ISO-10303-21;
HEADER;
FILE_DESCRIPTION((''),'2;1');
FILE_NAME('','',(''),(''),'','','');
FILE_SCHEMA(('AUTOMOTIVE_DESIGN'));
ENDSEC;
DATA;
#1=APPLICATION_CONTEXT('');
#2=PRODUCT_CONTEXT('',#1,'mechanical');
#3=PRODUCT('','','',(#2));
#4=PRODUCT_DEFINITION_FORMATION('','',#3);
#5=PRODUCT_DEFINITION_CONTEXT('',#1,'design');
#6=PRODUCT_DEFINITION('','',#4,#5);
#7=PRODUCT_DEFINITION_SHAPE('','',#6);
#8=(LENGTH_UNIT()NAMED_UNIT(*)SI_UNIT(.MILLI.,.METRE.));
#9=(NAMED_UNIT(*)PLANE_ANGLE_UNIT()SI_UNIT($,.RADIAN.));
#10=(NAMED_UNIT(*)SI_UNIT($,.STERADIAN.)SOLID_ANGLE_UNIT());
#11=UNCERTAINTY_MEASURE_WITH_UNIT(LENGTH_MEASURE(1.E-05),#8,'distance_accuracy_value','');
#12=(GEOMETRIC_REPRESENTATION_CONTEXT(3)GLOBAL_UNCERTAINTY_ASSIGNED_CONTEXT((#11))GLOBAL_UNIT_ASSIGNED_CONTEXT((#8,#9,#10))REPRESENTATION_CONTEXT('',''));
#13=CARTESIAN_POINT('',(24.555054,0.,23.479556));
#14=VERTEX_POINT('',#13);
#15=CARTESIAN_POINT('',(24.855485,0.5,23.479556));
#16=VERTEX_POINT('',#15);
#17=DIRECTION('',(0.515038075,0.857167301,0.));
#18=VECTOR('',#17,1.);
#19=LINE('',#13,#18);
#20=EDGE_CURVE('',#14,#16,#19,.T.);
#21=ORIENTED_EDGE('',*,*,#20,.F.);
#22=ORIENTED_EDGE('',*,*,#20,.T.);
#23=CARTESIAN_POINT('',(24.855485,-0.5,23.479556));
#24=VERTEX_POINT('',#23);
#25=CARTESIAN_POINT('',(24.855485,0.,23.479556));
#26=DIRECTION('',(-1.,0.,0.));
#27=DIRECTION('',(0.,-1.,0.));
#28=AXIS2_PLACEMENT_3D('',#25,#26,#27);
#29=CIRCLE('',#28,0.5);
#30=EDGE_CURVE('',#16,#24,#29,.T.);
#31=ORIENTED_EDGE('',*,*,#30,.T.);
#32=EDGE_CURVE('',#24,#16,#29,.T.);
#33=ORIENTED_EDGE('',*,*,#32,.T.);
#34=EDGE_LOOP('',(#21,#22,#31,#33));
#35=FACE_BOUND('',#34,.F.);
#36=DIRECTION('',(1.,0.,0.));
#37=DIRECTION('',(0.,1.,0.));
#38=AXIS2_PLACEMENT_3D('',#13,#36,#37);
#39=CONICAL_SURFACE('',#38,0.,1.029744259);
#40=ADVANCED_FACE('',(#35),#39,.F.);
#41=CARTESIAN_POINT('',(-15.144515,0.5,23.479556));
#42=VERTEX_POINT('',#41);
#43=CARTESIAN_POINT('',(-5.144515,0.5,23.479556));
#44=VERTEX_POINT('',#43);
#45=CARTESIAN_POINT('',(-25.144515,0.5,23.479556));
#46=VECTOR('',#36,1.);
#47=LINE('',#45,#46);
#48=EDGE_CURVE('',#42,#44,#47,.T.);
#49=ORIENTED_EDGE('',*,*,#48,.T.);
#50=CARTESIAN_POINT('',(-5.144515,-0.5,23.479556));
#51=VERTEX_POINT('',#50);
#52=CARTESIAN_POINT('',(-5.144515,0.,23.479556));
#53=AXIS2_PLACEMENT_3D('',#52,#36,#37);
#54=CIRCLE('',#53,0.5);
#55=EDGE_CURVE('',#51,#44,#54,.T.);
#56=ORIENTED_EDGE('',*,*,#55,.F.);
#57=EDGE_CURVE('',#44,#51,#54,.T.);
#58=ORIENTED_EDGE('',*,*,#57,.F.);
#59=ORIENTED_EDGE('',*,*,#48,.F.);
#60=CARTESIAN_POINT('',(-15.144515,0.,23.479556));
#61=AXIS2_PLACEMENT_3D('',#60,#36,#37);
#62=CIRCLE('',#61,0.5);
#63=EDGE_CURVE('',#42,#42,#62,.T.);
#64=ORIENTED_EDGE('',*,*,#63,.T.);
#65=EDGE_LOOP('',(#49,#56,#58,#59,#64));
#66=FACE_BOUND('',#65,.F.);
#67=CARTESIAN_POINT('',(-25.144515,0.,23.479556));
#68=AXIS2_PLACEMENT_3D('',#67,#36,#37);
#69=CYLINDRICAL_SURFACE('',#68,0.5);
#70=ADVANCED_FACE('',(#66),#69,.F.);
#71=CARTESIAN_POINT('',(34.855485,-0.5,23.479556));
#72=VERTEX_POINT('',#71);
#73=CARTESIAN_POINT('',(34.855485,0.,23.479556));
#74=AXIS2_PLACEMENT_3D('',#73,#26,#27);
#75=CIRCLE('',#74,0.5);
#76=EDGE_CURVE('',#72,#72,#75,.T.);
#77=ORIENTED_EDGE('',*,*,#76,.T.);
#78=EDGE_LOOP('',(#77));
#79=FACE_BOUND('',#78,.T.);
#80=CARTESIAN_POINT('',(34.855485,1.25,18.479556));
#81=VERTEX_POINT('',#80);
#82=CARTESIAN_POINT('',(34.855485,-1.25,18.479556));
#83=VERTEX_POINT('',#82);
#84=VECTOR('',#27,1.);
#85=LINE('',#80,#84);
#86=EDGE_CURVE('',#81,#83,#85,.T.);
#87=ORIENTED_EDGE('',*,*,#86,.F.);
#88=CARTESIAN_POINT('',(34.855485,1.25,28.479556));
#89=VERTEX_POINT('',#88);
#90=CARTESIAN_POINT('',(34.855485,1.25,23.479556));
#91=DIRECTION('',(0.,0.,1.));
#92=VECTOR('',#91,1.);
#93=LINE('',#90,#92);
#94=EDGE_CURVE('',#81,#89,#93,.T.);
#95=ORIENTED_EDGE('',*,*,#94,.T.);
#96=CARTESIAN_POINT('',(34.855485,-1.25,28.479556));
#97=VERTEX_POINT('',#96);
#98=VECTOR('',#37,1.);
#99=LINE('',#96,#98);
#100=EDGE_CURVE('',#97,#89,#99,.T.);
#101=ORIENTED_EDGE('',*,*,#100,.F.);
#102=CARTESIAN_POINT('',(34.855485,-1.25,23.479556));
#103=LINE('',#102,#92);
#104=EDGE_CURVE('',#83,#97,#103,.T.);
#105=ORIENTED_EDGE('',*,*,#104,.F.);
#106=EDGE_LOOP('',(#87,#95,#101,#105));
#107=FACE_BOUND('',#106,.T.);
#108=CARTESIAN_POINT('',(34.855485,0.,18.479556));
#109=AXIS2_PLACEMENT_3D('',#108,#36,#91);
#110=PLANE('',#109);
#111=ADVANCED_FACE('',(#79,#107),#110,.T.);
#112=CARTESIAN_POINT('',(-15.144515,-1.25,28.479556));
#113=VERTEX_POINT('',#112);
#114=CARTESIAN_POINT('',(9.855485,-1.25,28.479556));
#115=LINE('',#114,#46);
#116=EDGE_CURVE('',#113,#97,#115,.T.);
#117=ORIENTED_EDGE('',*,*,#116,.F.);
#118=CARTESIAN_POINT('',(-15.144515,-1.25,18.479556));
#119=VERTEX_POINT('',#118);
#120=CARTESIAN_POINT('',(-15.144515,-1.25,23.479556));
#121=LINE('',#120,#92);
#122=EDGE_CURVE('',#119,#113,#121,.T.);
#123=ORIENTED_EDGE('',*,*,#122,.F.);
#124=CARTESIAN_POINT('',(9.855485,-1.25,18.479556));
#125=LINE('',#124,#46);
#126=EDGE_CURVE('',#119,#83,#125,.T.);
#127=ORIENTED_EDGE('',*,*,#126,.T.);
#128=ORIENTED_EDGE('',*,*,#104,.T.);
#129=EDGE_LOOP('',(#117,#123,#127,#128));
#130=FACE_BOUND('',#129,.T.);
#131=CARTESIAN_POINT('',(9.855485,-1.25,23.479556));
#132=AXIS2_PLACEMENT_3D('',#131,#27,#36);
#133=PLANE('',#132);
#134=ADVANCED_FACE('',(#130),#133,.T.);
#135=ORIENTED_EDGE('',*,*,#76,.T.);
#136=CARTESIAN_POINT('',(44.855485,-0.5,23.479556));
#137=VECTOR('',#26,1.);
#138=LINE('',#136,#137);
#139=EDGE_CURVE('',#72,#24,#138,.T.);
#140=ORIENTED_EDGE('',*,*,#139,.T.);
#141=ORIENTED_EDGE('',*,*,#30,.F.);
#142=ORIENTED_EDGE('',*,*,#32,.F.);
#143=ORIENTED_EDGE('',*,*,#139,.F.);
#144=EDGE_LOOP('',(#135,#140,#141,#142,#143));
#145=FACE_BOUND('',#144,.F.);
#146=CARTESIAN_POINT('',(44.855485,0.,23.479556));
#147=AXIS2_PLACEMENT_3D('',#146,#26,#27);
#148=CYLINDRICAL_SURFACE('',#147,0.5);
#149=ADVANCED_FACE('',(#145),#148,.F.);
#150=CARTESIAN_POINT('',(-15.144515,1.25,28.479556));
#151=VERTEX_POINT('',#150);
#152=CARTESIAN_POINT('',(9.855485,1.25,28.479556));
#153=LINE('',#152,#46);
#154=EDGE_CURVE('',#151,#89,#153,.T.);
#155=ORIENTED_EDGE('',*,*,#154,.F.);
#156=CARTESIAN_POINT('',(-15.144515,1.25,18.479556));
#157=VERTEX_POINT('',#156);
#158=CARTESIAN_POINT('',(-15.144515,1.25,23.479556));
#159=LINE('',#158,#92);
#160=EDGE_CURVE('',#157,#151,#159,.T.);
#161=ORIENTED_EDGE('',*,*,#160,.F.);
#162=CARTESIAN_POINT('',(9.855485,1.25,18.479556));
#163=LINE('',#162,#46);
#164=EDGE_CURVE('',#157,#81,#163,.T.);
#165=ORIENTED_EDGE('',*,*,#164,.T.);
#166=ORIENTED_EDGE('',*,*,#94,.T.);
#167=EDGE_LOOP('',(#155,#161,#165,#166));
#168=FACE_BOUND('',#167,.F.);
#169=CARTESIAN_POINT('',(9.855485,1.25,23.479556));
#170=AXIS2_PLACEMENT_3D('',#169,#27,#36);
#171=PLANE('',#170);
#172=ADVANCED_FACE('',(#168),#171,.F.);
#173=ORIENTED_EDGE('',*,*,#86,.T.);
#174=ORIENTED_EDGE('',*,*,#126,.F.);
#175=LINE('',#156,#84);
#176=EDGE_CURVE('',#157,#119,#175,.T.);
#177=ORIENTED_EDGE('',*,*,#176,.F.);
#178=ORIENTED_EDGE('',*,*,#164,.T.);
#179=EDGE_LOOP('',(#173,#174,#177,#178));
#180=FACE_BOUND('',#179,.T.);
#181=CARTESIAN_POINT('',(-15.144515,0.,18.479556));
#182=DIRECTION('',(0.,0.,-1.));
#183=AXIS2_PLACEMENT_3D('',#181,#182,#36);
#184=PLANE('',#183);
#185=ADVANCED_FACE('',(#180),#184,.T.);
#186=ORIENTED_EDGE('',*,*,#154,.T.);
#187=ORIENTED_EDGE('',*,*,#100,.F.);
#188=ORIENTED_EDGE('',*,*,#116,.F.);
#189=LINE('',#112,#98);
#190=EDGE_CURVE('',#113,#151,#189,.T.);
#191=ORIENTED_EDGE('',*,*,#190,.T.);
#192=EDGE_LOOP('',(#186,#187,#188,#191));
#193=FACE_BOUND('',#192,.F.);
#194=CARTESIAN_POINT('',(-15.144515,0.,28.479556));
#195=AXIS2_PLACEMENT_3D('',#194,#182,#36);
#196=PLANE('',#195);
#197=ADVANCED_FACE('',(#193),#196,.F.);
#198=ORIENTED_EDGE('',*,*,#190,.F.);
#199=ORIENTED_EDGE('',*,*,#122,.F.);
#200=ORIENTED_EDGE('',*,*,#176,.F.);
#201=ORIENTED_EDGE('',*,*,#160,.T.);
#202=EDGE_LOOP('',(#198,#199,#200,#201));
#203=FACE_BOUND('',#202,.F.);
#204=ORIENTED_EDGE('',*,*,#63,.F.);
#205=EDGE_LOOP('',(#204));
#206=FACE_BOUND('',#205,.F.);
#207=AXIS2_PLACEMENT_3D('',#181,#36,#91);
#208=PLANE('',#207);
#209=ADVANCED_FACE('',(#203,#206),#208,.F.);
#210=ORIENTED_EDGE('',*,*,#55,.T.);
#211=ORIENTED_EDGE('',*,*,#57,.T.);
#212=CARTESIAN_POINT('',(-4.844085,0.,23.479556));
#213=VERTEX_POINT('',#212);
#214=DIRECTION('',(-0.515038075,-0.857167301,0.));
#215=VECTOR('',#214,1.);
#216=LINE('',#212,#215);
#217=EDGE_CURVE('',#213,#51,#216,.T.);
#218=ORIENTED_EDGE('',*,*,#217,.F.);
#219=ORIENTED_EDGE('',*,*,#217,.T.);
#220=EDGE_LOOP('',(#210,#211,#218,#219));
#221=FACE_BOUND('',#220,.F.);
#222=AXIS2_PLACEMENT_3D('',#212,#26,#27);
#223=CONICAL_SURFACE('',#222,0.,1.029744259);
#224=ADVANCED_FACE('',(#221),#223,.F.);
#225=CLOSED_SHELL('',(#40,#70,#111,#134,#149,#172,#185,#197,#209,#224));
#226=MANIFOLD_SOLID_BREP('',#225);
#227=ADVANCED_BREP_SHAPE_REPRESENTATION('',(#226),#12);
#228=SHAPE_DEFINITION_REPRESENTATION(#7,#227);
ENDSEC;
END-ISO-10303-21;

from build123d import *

# Parameters (mm, degrees)
F0_W     = 50
F0_H     = 10
F1_DEPTH = 1.25
F4_D     = 1
F4_DEPTH = 10
F4_TIP   = 0.3004303095
F5_D     = 1
F5_DEPTH = 10
F5_TIP   = 0.3004303095


with BuildPart() as f1:
    # F0 (on Front) → F1 (new body, symmetric)
    with BuildSketch(Plane.XZ):
        with Locations((9.8554845899, 23.4795556)):
            Rectangle(F0_W, F0_H)
    extrude(amount=F1_DEPTH, both=True)

    # F4
    with Locations(Plane.YZ.offset(34.8554845899)):
        with Locations((0, 23.4795556)):
            Hole(F4_D / 2, depth=F4_DEPTH)
            with Locations((0, 0, -(F4_DEPTH + F4_TIP / 2))):  # 118° drill point
                Cone(0, F4_D / 2, F4_TIP, mode=Mode.SUBTRACT)

    # F5
    with Locations(Plane(origin=(-15.1445154101, 0, 0), x_dir=(0, -1, 0), z_dir=(-1, 0, 0))):
        with Locations((0, 23.4795556)):
            Hole(F5_D / 2, depth=F5_DEPTH)
            with Locations((0, 0, -(F5_DEPTH + F5_TIP / 2))):  # 118° drill point
                Cone(0, F5_D / 2, F5_TIP, mode=Mode.SUBTRACT)


solid = f1.part
